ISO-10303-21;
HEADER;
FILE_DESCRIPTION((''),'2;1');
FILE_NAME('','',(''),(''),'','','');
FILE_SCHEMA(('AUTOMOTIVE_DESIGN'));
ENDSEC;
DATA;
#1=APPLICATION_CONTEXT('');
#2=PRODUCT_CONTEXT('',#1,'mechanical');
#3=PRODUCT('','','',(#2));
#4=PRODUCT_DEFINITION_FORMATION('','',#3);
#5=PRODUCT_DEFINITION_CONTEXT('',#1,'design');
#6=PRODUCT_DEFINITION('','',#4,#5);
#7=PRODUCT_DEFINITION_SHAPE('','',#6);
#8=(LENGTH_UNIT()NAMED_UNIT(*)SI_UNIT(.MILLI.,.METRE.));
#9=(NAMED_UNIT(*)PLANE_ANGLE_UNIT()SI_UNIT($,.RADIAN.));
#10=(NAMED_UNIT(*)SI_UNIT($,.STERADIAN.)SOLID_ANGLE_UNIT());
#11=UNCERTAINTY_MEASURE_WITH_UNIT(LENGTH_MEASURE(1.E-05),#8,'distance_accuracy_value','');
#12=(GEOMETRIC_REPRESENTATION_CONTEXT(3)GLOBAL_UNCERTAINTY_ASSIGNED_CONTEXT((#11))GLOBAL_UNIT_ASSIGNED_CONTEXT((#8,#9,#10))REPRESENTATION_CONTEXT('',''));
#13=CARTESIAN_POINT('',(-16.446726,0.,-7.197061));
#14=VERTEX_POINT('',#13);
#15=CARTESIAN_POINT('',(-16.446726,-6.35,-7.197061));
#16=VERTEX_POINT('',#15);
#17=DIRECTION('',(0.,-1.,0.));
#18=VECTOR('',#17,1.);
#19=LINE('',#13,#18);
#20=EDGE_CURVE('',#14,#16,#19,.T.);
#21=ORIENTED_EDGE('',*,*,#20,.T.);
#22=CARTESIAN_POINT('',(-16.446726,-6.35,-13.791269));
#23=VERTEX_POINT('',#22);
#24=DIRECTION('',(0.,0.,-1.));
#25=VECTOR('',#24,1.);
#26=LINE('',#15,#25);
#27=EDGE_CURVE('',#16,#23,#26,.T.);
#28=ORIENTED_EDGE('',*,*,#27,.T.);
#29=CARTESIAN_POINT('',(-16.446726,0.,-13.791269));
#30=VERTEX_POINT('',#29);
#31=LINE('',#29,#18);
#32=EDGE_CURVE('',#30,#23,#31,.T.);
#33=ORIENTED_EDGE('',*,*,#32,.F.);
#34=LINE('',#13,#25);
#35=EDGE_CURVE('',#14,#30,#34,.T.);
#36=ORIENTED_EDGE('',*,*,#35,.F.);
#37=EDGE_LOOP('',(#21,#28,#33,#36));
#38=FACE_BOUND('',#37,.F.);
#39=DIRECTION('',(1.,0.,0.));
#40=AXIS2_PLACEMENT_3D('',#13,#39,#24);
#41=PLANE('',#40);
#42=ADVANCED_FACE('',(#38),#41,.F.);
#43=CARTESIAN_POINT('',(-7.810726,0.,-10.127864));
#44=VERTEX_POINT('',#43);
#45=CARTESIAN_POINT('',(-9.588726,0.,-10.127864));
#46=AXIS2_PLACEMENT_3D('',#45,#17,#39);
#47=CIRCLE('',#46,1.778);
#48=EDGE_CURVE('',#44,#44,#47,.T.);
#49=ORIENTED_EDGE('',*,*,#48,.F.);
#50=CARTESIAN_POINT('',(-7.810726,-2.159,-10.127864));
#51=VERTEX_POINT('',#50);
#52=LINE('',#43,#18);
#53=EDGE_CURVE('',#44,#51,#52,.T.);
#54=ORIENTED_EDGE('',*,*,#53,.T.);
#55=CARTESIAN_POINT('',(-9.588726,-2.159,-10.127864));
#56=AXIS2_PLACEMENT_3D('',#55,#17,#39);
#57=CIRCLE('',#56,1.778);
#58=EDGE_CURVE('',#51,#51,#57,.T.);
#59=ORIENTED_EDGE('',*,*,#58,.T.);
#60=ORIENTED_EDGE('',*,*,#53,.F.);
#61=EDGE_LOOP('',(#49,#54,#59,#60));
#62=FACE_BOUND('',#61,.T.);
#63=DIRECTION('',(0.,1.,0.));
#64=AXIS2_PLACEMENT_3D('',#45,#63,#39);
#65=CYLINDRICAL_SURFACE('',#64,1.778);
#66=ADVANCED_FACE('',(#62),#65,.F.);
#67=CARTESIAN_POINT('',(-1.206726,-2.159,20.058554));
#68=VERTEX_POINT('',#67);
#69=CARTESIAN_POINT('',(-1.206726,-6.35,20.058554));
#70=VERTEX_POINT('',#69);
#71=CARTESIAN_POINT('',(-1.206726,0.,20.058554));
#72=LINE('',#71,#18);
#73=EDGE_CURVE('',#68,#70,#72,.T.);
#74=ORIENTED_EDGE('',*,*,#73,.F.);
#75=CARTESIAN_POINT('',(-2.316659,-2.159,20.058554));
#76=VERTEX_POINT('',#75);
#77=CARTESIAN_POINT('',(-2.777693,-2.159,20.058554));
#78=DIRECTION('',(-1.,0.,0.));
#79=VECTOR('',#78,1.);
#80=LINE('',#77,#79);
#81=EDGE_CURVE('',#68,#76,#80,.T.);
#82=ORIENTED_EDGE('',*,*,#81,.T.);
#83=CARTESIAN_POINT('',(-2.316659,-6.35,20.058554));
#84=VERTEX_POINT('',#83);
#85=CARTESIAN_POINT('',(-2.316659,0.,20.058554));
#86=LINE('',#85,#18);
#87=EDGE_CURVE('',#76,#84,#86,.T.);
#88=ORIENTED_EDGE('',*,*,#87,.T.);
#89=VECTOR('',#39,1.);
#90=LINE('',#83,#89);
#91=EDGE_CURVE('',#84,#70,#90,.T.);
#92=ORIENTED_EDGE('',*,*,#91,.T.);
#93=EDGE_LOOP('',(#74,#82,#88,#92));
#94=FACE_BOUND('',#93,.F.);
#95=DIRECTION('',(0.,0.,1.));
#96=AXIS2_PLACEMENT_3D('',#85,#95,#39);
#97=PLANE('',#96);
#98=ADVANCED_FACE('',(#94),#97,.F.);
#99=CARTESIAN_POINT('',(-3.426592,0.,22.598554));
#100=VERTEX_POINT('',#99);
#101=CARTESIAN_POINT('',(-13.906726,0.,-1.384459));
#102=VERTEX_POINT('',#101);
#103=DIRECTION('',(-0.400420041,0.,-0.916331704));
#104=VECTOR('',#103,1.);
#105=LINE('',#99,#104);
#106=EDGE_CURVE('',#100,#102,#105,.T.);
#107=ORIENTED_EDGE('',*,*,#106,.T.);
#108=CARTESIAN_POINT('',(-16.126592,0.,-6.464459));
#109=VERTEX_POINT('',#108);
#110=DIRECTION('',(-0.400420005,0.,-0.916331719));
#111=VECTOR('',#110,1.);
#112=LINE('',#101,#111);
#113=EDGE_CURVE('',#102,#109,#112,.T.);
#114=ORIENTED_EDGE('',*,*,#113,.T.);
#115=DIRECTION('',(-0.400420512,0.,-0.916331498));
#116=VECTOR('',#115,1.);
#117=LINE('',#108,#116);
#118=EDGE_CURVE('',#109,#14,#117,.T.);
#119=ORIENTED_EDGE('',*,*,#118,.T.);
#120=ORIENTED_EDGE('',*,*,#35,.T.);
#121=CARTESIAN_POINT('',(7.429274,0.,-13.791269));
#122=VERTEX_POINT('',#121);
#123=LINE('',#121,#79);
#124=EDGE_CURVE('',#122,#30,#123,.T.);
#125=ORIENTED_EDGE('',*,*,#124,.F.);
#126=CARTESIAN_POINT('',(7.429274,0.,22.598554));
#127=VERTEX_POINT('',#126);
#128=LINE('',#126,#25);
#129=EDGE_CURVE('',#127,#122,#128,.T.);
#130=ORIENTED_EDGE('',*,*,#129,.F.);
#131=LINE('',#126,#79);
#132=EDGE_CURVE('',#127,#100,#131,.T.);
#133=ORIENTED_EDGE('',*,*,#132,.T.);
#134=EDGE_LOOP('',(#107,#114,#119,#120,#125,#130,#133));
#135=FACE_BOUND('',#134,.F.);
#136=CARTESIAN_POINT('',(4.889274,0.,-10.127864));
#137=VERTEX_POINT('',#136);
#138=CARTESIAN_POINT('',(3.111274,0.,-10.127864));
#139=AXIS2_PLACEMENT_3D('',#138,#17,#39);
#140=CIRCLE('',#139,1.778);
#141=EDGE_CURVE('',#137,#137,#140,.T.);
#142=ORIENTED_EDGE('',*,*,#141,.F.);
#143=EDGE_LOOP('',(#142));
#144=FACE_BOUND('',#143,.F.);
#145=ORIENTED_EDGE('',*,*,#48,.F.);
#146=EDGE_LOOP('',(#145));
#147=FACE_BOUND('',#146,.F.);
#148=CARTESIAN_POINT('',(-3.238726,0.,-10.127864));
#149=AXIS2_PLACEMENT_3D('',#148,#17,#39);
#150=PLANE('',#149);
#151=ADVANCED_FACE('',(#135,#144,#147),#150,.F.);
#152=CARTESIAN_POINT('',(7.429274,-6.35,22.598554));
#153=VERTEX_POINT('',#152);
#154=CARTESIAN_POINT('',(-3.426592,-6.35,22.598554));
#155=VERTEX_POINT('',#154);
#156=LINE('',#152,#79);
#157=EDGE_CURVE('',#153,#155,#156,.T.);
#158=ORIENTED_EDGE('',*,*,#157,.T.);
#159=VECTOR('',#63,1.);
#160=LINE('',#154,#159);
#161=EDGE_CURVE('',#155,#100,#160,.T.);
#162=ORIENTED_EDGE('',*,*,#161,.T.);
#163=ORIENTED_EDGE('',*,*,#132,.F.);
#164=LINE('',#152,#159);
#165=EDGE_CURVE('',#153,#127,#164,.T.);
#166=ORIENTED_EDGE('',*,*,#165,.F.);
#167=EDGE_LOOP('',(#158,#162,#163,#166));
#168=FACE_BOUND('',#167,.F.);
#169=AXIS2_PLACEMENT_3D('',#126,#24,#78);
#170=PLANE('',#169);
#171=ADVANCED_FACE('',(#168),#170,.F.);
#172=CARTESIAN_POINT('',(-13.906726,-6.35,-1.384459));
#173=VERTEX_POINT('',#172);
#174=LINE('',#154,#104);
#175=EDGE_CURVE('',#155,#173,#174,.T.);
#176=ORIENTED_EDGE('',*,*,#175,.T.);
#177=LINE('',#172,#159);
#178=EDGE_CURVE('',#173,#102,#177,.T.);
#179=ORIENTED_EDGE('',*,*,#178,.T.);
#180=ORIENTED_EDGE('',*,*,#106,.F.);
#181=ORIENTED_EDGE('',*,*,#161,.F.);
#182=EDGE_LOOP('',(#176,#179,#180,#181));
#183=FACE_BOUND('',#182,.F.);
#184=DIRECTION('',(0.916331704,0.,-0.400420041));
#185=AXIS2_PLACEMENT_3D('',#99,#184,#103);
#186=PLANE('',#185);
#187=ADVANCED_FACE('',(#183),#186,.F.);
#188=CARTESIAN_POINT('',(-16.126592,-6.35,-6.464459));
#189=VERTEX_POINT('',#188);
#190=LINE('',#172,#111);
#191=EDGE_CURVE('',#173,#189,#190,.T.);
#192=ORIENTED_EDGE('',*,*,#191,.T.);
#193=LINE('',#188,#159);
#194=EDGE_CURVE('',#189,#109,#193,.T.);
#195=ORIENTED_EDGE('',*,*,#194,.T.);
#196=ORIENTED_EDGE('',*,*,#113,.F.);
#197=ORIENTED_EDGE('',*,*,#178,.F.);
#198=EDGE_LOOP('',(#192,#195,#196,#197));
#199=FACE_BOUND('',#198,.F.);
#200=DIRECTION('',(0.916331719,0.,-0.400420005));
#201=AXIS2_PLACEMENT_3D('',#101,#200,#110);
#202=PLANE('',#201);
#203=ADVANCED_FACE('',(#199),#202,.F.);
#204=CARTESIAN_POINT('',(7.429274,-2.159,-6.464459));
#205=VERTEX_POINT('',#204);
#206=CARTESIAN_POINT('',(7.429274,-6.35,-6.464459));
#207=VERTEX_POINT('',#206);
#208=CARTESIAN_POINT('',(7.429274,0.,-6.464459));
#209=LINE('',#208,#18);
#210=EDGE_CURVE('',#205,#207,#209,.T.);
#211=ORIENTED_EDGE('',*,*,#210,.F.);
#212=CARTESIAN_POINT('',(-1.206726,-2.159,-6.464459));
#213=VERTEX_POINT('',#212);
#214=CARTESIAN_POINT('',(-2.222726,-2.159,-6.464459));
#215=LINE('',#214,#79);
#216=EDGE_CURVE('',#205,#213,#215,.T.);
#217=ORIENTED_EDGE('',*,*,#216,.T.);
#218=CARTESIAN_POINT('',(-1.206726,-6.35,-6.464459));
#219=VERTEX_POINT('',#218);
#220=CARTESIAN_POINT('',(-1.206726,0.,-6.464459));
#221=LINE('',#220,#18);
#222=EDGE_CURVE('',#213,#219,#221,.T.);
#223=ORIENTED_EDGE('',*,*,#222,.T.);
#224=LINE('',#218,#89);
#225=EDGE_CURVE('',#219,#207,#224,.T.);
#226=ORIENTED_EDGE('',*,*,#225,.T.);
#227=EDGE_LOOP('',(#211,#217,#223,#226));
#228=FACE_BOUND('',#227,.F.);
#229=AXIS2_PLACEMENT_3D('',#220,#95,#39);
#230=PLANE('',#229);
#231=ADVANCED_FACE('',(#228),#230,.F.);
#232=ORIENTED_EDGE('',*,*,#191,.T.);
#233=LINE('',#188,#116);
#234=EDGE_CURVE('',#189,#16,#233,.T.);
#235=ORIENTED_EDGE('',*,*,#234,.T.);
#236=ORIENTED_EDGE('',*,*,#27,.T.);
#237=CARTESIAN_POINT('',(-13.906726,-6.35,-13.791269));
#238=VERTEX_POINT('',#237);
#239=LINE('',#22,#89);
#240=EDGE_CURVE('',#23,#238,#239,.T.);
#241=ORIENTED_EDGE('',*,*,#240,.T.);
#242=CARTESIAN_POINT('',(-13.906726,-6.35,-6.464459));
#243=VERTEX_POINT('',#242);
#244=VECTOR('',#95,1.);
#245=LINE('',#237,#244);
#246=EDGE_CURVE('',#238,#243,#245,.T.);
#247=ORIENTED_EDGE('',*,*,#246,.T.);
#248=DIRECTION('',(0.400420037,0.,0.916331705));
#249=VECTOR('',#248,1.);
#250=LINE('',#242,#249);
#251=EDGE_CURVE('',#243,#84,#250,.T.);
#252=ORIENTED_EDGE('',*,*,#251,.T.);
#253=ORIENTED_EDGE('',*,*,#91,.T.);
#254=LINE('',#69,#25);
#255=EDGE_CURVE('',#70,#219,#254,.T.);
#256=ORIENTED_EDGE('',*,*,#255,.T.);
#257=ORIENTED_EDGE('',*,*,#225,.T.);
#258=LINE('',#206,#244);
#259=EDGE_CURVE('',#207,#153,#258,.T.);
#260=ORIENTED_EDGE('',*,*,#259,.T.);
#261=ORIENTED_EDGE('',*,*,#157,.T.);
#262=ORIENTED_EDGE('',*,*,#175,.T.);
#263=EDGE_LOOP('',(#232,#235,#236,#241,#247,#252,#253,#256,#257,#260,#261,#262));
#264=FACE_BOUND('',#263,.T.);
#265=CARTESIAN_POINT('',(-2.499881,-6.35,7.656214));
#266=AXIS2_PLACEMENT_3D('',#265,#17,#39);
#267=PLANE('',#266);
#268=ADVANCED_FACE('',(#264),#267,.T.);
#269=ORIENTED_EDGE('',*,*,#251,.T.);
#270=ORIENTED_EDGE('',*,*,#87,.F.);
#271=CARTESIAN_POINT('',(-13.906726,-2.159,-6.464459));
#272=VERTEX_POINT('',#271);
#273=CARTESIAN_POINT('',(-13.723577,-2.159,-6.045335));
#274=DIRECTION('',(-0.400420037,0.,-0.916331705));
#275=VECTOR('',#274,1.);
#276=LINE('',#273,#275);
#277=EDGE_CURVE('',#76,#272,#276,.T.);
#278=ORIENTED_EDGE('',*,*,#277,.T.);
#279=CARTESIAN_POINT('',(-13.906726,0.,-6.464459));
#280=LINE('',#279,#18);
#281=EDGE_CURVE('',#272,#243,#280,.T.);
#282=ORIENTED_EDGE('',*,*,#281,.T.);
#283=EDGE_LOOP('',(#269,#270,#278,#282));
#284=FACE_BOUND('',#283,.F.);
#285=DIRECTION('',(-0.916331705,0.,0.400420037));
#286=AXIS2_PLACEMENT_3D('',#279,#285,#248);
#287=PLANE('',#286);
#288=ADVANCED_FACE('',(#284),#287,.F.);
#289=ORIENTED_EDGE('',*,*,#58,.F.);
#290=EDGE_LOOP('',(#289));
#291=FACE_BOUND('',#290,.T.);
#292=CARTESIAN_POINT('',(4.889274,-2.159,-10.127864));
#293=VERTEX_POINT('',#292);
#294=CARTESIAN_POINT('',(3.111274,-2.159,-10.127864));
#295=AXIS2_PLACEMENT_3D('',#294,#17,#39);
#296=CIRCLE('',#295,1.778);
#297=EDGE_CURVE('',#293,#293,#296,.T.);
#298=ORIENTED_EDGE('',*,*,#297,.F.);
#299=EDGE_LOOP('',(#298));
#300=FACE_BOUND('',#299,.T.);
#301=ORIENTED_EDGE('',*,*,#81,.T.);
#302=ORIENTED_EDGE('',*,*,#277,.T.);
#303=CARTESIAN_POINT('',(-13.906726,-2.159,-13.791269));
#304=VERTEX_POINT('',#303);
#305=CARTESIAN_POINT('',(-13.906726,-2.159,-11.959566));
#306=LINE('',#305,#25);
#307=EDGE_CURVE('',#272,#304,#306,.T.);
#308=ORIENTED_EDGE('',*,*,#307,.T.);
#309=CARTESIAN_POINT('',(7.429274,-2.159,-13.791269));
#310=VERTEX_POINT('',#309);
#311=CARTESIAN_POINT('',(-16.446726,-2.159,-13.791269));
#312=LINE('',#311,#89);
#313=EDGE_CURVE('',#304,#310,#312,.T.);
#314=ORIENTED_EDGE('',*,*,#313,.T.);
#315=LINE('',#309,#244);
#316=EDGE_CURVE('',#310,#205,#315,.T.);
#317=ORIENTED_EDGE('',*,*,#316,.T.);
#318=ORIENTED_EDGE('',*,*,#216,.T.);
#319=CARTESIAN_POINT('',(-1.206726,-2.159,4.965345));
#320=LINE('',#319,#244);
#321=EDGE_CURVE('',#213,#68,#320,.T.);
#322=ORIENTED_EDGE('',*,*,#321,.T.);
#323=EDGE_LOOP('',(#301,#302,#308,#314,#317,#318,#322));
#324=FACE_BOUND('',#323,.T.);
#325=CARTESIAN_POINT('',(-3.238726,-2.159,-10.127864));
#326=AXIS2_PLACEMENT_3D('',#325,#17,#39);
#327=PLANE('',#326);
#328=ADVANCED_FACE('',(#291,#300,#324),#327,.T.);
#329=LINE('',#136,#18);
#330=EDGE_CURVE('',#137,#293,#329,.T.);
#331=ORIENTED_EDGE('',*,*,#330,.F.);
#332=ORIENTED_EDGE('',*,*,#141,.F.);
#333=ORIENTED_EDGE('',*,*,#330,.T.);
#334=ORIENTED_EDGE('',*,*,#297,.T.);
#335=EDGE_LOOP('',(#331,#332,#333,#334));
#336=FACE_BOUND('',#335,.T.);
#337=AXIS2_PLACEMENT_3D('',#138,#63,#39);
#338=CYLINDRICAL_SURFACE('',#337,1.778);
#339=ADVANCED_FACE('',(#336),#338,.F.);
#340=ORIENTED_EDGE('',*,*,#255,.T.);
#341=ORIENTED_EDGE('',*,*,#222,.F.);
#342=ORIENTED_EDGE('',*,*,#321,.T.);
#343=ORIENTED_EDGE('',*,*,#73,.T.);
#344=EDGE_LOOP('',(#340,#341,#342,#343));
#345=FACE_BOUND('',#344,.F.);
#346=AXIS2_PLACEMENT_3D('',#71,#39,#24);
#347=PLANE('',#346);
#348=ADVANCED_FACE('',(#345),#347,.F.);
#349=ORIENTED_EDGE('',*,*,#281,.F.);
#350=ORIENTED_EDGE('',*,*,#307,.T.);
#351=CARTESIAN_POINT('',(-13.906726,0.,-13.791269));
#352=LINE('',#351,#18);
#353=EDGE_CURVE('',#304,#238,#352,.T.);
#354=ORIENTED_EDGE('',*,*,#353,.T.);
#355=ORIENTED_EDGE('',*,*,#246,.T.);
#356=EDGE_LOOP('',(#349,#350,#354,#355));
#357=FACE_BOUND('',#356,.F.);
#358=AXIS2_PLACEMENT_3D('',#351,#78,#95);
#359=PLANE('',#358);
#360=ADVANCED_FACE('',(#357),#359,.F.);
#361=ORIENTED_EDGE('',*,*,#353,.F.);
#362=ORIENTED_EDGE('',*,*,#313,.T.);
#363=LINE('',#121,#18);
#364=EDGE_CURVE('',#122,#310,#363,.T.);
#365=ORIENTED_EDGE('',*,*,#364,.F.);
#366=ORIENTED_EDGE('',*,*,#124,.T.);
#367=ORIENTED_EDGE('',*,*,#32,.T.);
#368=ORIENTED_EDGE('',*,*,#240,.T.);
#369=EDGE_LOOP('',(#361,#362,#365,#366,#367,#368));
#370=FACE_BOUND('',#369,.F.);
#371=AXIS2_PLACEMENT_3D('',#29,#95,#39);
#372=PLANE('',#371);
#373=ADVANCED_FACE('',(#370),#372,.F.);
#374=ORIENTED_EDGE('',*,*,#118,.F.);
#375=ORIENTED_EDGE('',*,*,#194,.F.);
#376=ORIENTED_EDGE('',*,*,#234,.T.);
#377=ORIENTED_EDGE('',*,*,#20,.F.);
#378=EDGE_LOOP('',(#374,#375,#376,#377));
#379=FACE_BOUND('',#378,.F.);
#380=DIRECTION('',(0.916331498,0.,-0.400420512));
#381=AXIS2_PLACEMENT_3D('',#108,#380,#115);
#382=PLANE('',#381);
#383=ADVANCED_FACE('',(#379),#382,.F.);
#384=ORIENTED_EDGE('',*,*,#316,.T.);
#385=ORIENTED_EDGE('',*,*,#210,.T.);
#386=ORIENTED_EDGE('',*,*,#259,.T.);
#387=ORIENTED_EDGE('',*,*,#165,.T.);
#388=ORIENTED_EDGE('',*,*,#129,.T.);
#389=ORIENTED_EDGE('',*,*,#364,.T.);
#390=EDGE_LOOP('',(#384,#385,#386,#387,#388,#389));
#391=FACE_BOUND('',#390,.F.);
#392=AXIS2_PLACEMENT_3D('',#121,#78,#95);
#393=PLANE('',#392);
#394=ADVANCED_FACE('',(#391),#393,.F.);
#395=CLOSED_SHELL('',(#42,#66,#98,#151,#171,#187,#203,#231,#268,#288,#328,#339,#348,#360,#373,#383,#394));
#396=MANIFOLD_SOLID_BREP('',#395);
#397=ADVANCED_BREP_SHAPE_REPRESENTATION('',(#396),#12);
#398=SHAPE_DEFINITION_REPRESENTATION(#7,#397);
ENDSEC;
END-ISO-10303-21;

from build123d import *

# Parameters (mm, degrees)
F0_R     = 1.778
F1_DEPTH = 2.159
F2_DEPTH = 6.35


with BuildPart() as f1:
    # F0 (on Front) → F1 (new body)
    with BuildSketch(Plane.XZ):
        Polygon((-13.906726, -6.464459), (-13.906726, -13.791269), (7.429274, -13.791269), (7.429274, -6.464459), (-1.206726, -6.464459), align=None)
        with Locations((-9.588726, -10.127864)):
            Circle(F0_R, mode=Mode.SUBTRACT)
        with Locations((3.111274, -10.127864)):
            Circle(F0_R, mode=Mode.SUBTRACT)
        Polygon((-16.446726, -13.791269), (-13.906726, -13.791269), (-13.906726, -6.464459), (-16.126592, -6.464459), (-16.446726, -7.197061), align=None)
        Polygon((-16.126592, -6.464459), (-13.906726, -6.464459), (-2.316659, 20.058554), (-1.206726, 20.058554), (-1.206726, -6.464459), (7.429274, -6.464459), (7.429274, 22.598554), (-1.206726, 22.598554), (-3.426592, 22.598554), (-13.906726, -1.384459), align=None)
        Polygon((-2.316659, 20.058554), (-13.906726, -6.464459), (-1.206726, -6.464459), (-1.206726, 20.058554), align=None)
    extrude(amount=F1_DEPTH)

    # F0 (on Front) → F2 (join)
    with BuildSketch(Plane.XZ):
        Polygon((-16.126592, -6.464459), (-13.906726, -6.464459), (-2.316659, 20.058554), (-1.206726, 20.058554), (-1.206726, -6.464459), (7.429274, -6.464459), (7.429274, 22.598554), (-1.206726, 22.598554), (-3.426592, 22.598554), (-13.906726, -1.384459), align=None)
        Polygon((-16.446726, -13.791269), (-13.906726, -13.791269), (-13.906726, -6.464459), (-16.126592, -6.464459), (-16.446726, -7.197061), align=None)
    extrude(amount=F2_DEPTH)


solid = f1.part
